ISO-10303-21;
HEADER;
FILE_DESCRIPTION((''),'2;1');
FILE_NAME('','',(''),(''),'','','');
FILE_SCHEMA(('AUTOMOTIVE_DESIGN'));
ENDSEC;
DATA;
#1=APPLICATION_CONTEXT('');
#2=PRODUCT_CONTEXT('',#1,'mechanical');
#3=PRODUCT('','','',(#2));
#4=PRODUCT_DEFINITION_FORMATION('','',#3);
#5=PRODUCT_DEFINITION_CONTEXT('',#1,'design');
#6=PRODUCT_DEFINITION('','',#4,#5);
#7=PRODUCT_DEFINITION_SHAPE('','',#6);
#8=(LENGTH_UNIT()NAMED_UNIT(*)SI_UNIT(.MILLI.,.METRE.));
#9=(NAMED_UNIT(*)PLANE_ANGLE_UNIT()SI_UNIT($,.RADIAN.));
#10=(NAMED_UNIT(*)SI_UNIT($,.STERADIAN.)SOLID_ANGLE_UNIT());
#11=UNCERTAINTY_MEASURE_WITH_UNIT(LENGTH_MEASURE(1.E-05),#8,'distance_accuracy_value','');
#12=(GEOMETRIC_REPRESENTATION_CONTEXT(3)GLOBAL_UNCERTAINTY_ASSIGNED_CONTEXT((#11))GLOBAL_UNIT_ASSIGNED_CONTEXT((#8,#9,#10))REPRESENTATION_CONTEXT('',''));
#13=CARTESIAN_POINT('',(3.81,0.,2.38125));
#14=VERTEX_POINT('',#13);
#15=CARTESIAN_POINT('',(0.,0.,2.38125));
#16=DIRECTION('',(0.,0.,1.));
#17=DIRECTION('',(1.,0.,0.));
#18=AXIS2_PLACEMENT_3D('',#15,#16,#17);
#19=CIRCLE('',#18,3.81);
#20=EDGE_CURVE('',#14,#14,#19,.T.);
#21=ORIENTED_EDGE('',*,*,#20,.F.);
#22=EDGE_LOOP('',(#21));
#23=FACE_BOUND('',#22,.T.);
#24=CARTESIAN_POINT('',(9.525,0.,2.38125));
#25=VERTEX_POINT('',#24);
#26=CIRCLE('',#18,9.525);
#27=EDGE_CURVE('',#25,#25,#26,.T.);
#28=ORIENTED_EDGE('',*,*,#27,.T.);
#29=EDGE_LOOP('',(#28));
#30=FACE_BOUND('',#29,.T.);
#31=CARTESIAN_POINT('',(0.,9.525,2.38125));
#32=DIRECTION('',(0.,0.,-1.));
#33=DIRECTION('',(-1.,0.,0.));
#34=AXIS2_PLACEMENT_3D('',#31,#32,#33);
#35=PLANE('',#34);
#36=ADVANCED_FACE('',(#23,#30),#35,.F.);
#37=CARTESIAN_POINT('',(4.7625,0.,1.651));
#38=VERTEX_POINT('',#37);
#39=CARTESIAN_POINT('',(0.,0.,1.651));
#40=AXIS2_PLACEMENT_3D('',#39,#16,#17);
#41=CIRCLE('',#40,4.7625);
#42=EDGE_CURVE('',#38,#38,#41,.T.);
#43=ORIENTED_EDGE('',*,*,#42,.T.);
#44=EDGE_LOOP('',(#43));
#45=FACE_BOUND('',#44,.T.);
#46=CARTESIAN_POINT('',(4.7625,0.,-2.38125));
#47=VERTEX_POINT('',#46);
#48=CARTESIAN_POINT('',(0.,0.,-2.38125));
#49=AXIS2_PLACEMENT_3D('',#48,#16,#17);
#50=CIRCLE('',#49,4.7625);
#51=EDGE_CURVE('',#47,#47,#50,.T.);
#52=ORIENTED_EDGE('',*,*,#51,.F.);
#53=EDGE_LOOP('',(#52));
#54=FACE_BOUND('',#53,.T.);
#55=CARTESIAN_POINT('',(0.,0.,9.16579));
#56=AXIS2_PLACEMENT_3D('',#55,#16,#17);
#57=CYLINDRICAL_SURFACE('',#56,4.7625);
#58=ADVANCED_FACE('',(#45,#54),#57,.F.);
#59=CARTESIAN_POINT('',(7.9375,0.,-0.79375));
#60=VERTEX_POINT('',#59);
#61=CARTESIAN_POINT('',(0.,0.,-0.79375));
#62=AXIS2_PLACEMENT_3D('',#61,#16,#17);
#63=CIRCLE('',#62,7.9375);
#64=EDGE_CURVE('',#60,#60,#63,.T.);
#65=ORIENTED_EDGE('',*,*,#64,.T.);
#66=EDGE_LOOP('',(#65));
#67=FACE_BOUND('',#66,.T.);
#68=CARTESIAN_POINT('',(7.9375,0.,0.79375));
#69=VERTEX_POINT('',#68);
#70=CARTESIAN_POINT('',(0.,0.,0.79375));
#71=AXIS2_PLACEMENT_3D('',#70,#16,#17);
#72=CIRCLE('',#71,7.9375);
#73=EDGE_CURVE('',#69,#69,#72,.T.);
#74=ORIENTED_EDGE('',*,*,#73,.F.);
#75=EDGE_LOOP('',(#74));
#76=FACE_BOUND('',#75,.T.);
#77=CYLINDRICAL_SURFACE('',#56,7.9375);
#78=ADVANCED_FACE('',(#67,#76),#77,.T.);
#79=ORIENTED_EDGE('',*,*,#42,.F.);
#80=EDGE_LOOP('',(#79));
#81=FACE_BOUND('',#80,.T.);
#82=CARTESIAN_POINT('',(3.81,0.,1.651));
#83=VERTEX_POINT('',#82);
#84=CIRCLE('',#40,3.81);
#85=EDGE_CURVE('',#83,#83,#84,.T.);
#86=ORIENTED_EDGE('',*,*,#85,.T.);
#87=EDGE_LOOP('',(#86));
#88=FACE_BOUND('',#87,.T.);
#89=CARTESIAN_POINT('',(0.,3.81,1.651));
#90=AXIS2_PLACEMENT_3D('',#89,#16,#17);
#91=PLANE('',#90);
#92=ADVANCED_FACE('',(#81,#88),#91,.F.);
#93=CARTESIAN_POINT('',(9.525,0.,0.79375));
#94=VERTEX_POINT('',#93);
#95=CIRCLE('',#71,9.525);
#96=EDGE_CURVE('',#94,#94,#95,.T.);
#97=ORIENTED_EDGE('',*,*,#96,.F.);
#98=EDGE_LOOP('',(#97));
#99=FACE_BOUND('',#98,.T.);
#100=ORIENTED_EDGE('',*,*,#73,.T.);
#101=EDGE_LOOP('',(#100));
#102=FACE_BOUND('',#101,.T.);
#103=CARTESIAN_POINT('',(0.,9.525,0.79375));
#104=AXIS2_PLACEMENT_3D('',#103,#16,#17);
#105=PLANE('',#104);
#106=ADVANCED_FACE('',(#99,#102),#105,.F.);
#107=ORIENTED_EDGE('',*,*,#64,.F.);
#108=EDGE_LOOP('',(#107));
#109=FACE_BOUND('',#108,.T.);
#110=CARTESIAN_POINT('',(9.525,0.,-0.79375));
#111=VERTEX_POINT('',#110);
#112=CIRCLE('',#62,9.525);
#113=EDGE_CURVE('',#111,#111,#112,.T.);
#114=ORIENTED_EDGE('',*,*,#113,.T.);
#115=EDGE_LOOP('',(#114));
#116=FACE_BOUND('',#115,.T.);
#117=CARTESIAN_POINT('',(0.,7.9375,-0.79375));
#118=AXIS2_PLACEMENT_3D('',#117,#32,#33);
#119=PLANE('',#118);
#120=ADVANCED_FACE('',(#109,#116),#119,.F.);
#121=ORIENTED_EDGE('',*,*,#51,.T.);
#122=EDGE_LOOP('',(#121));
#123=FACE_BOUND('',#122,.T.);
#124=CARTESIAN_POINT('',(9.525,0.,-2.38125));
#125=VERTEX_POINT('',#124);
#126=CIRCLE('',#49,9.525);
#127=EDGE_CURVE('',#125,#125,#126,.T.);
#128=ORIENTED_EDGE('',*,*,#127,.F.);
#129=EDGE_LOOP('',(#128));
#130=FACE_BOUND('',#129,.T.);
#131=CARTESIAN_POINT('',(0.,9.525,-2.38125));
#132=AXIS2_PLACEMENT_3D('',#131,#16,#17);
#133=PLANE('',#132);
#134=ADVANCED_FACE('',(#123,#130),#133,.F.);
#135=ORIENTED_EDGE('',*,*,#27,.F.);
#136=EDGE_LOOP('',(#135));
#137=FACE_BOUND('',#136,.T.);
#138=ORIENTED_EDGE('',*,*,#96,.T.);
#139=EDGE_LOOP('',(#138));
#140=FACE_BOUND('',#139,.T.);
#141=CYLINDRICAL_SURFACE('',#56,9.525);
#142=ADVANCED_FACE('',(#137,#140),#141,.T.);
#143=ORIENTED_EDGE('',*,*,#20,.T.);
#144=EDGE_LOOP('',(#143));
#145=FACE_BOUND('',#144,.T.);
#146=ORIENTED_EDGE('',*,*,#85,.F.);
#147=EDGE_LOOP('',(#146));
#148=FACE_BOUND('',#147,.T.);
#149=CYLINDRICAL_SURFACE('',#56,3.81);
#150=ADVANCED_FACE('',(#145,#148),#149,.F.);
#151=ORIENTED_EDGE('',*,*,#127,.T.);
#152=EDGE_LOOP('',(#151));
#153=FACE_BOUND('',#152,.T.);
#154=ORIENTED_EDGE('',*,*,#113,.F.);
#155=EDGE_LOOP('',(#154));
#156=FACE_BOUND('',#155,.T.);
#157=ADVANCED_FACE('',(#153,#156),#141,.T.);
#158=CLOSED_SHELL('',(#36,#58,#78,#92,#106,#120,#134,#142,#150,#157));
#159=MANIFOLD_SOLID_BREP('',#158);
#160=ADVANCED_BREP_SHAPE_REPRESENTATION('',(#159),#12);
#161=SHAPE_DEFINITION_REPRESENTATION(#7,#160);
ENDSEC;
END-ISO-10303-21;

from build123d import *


with BuildPart() as part:
    # Sketch1 → Revolve1 (revolve)
    with BuildSketch(Plane(origin=(0, 0, 0), x_dir=(0, 0, -1), z_dir=(1, 0, 0)), mode=Mode.PRIVATE) as revolve1_sk:
        Polygon((-2.38125, 9.525), (-2.38125, 3.81), (-1.651, 3.81), (-1.651, 4.7625), (2.38125, 4.7625), (2.38125, 9.525), (0.79375, 9.525), (0.79375, 7.9375), (-0.79375, 7.9375), (-0.79375, 9.525), align=None)
    revolve(revolve1_sk.sketch.rotate(Axis((0, 0, 9.165790448), (0, 0, -1)), 90), axis=Axis((0, 0, 9.165790448), (0, 0, -1)))


solid = part.part
